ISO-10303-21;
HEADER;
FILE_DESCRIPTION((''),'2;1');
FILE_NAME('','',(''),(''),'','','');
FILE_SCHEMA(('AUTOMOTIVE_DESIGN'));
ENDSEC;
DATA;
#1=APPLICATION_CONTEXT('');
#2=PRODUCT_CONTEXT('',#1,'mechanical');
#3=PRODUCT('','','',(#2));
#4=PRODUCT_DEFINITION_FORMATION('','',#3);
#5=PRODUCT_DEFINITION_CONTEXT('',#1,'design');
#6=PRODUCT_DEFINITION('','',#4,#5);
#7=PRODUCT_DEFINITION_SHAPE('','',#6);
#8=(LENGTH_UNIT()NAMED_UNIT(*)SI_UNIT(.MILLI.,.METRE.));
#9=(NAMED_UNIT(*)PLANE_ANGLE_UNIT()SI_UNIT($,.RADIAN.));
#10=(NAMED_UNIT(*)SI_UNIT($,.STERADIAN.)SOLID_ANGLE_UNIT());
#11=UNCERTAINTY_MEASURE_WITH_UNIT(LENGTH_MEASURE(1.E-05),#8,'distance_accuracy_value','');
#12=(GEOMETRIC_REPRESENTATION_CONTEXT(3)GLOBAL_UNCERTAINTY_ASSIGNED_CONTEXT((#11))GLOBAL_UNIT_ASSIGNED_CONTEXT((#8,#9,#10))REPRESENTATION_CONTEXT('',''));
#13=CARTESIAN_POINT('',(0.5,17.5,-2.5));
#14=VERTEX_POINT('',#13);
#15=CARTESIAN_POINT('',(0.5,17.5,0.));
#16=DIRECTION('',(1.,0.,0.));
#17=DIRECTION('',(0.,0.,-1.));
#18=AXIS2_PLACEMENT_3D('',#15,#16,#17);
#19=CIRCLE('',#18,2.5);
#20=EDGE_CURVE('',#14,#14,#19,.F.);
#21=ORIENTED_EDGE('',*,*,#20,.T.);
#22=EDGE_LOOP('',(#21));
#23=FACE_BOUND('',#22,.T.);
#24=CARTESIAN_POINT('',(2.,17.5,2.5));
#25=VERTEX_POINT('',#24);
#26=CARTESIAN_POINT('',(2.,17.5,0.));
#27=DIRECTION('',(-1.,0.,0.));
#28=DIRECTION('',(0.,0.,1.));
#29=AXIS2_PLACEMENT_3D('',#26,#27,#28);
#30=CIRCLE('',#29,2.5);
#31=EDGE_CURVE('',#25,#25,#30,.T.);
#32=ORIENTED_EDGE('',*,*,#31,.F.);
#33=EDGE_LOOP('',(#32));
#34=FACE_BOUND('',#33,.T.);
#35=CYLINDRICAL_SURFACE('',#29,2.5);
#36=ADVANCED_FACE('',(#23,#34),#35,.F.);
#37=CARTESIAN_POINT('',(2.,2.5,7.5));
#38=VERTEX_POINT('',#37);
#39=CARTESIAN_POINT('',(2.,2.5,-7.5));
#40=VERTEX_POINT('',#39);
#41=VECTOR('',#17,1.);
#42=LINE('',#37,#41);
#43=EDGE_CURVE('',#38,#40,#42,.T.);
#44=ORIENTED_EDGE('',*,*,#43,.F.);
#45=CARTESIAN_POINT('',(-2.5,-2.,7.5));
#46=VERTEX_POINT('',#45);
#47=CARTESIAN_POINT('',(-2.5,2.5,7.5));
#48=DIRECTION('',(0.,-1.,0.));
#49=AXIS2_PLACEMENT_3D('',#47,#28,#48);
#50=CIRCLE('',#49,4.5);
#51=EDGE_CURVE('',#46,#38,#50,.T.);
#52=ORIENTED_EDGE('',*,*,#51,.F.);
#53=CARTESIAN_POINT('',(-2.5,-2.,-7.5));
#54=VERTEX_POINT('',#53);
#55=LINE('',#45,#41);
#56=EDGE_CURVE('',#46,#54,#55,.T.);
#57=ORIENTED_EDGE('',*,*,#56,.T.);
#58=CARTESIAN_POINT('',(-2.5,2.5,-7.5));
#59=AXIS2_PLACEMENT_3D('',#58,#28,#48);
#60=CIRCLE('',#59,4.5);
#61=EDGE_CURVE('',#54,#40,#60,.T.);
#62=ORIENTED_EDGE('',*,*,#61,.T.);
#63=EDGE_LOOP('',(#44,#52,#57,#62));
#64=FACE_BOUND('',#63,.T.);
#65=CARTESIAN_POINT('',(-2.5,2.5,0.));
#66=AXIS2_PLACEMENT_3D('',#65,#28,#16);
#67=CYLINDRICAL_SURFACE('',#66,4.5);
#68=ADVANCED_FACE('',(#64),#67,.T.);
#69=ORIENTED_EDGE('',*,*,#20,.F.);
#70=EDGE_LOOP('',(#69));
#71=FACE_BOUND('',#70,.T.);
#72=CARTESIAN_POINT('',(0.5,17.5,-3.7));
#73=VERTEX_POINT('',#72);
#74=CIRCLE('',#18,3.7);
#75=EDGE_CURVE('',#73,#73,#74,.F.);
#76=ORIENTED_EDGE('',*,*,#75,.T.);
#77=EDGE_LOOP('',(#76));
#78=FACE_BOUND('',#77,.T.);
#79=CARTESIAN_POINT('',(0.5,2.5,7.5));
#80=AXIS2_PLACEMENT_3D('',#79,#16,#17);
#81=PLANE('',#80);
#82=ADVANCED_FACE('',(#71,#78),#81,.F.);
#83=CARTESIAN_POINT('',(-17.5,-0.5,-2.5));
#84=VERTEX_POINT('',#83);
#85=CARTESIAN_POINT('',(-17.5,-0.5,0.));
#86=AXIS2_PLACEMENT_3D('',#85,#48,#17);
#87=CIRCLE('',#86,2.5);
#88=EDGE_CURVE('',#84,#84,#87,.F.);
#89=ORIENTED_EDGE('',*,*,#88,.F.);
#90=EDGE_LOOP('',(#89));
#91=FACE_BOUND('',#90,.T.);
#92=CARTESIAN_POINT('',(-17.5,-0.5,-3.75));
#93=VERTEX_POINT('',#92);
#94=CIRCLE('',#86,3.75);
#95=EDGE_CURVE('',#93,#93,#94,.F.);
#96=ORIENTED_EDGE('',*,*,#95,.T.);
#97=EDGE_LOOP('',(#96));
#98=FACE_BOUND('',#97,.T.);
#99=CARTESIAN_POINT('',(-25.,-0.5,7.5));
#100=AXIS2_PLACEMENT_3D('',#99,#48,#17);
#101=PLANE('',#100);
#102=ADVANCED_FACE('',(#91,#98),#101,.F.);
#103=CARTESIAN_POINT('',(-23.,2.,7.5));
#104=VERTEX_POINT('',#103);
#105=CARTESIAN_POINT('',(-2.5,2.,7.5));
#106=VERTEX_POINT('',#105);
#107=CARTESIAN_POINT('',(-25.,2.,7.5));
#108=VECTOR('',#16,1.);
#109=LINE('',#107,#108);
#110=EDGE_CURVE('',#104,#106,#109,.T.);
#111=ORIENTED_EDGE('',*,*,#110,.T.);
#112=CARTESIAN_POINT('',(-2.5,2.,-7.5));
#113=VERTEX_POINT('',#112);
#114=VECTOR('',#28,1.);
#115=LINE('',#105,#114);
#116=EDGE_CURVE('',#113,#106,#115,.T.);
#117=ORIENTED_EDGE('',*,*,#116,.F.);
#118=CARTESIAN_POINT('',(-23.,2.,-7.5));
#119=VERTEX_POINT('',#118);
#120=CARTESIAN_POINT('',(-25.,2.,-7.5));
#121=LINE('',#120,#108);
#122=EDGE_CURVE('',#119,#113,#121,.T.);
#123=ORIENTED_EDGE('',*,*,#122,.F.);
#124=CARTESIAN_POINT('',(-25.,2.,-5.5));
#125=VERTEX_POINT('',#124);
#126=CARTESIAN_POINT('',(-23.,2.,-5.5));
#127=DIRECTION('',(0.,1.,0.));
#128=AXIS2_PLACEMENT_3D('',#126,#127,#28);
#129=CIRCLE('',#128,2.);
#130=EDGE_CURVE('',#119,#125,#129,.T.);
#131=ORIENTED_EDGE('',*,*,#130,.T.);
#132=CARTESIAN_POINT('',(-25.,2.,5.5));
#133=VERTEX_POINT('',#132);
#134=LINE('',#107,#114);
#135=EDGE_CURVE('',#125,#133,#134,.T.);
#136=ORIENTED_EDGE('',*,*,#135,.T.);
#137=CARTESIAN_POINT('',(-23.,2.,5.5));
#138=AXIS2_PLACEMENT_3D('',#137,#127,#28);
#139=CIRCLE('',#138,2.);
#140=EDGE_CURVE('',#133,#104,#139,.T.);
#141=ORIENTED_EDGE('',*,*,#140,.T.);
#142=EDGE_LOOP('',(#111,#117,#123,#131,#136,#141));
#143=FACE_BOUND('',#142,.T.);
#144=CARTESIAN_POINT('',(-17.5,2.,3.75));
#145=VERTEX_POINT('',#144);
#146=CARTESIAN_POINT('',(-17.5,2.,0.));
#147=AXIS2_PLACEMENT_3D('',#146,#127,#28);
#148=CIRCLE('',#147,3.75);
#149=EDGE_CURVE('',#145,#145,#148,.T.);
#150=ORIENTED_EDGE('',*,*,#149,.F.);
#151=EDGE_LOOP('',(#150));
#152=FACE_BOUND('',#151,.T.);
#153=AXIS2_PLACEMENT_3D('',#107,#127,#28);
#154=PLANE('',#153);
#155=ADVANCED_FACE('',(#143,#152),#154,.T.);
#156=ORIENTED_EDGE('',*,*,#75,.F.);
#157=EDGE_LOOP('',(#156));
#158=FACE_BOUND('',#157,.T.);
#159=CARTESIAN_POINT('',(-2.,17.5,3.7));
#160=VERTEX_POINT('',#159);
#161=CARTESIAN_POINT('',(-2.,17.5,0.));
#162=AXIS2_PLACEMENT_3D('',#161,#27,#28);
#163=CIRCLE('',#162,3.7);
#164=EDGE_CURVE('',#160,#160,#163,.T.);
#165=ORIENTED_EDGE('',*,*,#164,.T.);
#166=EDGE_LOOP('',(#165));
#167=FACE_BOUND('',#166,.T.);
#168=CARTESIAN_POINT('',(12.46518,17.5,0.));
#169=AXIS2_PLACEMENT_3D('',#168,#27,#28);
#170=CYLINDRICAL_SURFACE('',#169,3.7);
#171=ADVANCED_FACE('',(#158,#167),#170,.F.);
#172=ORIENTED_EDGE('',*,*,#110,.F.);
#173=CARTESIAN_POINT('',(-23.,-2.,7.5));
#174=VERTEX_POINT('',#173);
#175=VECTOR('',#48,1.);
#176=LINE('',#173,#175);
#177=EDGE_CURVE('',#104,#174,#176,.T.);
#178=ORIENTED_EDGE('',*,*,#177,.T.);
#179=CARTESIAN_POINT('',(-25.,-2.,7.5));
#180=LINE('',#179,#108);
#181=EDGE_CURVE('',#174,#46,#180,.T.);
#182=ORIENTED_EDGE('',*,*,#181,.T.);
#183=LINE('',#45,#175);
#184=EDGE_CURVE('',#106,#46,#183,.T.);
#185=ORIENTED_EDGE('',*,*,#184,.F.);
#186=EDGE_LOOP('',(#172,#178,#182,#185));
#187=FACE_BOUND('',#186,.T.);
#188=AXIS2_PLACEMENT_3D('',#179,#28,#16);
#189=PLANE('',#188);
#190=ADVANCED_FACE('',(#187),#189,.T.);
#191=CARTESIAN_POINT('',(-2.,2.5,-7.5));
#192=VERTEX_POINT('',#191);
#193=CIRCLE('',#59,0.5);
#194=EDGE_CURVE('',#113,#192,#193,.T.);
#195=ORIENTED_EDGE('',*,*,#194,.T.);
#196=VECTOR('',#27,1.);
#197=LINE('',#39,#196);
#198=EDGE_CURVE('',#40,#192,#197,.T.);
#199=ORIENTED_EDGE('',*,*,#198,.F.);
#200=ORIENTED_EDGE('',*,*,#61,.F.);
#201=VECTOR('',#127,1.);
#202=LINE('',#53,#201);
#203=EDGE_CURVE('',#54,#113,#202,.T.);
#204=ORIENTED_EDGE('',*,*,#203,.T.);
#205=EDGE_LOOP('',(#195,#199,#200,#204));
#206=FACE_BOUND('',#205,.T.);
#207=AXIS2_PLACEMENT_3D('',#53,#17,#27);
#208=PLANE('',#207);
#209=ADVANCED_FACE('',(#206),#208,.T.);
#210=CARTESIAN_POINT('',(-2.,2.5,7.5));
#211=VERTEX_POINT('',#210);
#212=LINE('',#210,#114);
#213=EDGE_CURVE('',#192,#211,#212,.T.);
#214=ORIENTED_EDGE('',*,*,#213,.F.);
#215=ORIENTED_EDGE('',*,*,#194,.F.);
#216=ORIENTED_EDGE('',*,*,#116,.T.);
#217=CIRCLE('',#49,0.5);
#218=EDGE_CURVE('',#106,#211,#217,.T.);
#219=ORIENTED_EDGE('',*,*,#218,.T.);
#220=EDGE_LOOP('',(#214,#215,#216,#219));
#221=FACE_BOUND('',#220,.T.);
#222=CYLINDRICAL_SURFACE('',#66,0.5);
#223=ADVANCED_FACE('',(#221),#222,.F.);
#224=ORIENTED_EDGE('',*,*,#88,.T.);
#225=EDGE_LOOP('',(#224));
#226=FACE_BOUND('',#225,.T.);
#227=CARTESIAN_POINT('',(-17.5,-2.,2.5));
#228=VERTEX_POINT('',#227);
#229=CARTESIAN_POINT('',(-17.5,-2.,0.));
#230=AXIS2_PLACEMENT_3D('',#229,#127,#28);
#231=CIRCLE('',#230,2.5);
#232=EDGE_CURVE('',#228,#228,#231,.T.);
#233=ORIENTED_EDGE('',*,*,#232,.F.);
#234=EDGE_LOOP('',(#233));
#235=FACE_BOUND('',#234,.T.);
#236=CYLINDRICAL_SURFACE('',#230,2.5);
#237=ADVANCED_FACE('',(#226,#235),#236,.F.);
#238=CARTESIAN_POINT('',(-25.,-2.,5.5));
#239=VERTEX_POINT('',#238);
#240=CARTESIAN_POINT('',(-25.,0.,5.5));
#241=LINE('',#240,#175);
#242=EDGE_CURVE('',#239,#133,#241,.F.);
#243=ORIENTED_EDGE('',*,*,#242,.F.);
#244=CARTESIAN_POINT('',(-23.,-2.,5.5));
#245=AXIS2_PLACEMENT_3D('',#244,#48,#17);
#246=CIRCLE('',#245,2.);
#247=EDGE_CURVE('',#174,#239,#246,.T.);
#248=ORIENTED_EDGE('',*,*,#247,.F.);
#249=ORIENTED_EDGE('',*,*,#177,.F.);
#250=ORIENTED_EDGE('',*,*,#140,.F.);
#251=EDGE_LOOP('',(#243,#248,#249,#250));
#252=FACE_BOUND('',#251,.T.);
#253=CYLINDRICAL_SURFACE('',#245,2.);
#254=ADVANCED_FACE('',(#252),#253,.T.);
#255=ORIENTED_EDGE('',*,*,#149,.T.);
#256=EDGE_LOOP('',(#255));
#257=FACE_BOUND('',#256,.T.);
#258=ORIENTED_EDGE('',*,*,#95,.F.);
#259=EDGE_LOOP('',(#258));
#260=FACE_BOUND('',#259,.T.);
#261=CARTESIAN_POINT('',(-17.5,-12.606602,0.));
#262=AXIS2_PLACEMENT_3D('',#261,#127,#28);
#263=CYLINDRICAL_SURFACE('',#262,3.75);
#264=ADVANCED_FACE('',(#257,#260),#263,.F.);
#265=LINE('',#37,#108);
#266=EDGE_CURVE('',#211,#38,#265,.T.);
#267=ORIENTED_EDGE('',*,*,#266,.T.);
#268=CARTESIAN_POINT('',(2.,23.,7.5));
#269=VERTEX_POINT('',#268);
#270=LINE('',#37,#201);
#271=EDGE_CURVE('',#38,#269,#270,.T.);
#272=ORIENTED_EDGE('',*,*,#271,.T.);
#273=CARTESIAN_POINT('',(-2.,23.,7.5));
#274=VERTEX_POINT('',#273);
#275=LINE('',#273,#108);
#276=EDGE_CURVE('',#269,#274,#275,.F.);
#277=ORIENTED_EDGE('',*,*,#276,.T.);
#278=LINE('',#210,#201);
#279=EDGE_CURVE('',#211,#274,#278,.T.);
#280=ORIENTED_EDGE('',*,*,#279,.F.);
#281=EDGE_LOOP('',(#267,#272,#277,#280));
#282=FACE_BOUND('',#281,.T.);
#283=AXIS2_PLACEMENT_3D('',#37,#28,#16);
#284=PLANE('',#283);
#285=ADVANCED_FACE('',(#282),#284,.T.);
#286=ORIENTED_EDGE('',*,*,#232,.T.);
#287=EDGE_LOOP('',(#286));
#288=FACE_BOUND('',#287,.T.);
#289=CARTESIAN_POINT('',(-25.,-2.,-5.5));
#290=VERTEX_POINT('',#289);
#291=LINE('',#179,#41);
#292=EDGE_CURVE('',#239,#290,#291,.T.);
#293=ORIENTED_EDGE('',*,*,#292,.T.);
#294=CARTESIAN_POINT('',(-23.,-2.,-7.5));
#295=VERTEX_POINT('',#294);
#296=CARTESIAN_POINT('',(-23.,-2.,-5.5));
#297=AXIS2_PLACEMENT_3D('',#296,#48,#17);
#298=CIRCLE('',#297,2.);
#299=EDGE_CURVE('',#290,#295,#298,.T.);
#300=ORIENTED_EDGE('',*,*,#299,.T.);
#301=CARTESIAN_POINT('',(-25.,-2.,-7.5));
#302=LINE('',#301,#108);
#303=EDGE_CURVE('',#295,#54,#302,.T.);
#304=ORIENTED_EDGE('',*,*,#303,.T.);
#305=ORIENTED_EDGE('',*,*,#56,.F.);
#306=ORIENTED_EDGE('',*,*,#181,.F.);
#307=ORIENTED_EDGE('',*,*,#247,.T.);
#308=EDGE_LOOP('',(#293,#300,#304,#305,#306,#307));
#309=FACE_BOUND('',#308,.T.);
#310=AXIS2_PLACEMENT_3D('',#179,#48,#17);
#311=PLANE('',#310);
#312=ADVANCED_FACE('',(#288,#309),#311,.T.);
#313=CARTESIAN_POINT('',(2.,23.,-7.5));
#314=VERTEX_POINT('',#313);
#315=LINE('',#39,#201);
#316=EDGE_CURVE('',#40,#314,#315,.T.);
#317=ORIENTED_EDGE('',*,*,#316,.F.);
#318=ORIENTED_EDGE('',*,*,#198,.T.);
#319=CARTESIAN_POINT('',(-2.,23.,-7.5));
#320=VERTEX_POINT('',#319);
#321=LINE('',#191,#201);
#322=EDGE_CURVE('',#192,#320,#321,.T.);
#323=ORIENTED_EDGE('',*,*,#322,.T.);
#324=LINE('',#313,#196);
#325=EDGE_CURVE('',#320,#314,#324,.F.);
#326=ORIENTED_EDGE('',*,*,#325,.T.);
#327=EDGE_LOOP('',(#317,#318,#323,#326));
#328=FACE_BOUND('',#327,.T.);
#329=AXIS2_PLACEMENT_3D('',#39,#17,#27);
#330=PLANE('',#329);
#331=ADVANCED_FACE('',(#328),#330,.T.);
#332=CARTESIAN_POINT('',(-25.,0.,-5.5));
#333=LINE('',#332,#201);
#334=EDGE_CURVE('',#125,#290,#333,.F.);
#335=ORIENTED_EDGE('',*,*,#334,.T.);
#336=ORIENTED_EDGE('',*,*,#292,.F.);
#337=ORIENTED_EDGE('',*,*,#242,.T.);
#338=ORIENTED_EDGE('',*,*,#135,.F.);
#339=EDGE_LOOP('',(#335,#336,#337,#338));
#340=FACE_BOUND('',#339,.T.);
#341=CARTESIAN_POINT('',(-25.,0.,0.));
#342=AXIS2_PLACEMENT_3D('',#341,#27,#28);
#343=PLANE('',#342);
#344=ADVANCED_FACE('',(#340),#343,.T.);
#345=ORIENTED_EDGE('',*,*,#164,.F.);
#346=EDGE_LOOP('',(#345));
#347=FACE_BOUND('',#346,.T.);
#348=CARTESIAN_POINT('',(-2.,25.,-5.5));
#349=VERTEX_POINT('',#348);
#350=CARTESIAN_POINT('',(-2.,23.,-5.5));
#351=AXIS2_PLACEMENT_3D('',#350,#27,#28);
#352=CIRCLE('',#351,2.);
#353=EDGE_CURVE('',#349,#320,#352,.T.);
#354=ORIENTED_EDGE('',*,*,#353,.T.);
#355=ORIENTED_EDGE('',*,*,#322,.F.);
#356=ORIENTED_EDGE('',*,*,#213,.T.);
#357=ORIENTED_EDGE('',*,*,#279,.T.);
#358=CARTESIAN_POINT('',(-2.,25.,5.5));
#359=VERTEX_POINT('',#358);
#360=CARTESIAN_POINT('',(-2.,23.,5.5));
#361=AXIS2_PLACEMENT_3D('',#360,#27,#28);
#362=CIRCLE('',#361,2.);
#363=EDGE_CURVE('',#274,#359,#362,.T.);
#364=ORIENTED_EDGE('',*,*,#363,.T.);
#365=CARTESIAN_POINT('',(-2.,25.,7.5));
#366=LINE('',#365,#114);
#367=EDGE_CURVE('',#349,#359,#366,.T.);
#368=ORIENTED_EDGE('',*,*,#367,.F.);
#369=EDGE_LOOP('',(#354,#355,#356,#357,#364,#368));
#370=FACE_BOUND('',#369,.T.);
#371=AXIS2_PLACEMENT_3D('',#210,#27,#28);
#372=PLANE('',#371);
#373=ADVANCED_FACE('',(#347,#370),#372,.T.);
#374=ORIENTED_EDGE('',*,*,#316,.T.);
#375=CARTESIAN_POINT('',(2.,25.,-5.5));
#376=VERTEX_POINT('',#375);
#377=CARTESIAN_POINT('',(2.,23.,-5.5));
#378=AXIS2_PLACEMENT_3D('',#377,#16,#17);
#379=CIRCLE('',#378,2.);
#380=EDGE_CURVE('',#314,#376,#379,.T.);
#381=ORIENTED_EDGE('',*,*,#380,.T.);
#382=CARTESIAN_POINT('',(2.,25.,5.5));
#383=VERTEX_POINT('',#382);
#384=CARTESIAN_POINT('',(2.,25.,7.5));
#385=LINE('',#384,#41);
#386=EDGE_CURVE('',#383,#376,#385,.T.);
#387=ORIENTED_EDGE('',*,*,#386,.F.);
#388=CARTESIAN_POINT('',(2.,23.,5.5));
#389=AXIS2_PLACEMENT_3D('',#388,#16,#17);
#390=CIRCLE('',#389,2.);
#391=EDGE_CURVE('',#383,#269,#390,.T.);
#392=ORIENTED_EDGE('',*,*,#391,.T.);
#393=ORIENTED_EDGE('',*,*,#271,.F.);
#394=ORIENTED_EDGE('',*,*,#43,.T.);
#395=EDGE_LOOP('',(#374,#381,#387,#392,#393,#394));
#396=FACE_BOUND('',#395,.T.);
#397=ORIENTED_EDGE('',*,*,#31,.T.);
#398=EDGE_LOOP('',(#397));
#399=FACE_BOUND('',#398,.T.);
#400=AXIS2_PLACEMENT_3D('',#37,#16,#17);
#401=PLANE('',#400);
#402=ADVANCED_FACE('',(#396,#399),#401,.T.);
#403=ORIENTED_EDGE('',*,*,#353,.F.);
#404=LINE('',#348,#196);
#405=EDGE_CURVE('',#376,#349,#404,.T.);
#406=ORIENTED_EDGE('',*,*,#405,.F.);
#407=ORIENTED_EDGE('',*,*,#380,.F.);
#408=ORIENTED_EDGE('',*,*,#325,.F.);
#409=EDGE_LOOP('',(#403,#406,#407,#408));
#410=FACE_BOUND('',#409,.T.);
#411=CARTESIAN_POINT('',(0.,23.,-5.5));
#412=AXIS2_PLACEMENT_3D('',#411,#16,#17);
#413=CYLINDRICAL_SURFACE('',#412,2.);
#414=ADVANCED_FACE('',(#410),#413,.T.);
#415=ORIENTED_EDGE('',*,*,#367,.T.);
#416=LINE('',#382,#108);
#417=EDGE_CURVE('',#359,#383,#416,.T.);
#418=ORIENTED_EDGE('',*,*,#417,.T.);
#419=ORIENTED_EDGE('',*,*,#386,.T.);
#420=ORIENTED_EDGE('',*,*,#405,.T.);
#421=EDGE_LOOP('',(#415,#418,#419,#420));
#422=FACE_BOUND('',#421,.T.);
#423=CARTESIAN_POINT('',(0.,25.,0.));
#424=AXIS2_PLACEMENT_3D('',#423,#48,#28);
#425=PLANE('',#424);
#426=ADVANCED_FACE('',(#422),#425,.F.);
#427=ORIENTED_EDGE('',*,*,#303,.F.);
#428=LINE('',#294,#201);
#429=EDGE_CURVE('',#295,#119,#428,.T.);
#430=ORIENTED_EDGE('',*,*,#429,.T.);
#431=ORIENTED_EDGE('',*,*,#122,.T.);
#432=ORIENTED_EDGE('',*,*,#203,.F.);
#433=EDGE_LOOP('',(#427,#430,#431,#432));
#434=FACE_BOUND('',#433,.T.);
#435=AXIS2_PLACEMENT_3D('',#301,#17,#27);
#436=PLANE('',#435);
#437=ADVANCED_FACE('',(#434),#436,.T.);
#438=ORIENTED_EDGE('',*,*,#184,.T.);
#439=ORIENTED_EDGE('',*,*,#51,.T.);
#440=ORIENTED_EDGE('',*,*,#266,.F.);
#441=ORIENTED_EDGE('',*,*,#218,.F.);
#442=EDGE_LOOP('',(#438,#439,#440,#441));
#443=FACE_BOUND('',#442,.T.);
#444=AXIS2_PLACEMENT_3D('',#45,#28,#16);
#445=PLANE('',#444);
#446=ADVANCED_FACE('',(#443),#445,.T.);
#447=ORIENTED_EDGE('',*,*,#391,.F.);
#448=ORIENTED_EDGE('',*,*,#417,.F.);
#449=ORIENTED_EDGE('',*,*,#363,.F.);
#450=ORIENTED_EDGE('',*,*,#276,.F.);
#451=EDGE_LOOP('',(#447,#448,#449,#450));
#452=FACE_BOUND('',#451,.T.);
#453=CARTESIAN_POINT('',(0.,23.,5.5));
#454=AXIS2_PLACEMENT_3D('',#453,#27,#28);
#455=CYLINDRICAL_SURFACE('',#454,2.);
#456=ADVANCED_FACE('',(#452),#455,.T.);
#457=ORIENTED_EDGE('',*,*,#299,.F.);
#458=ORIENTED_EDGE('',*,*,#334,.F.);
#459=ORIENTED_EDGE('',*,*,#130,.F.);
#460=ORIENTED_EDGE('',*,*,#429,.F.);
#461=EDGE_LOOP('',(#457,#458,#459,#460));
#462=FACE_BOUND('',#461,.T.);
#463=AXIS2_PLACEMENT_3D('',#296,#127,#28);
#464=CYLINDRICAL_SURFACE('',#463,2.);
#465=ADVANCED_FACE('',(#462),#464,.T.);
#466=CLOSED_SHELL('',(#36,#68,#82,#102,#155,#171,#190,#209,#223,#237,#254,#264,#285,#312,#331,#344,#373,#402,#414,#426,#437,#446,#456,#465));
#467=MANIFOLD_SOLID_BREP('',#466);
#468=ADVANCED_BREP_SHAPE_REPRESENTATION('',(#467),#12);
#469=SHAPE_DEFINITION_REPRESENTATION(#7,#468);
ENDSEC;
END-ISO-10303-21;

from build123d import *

# Parameters (mm, degrees)
SKETCH5_W          = 15
SKETCH5_H          = 4
SKETCH7_R          = 2.5
CUT_EXTRUDE2_DEPTH = 5
FILLET1_R          = 2
SKETCH9_R          = 3.7
CUT_EXTRUDE3_DEPTH = 2.5
SKETCH6_R          = 2.5
CUT_EXTRUDE4_DEPTH = 5
SKETCH10_R         = 3.75
CUT_EXTRUDE5_DEPTH = 2.5


with BuildPart() as part:
    # Sweep1: sweep along a path in Sketch2
    with BuildLine(Plane.XY) as sweep1_path:
        Line((-25, 0), (-2.5, 0))
        ThreePointArc((-2.5, 0), (-0.732233047, 0.732233047), (0, 2.5))
        Line((0, 2.5), (0, 25))
    # Sketch5 → Sweep1 (sweep)
    with BuildSketch(Plane(origin=(-25, 0, 0), x_dir=(0, 0, -1), z_dir=(1, 0, 0))):
        Rectangle(SKETCH5_W, SKETCH5_H)
    sweep(path=sweep1_path.line)

    # Sketch7 → Cut-Extrude2 (cut, through all)
    with BuildSketch(Plane.ZY.offset(2)):
        with Locations((0, 17.5)):
            Circle(SKETCH7_R)
    extrude(amount=-CUT_EXTRUDE2_DEPTH, mode=Mode.SUBTRACT)

    # Fillet1
    fillet1_edges = [part.edges().sort_by_distance(p)[0] for p in [
        (-25, 0, 7.5),
        (0, 25, -7.5),
        (0, 25, 7.5),
        (-25, 0, -7.5),
    ]]
    fillet(fillet1_edges, radius=FILLET1_R)

    # Sketch9 → Cut-Extrude3 (cut)
    with BuildSketch(Plane.ZY.offset(2)):
        with Locations((0, 17.5)):
            Circle(SKETCH9_R)
    extrude(amount=-CUT_EXTRUDE3_DEPTH, mode=Mode.SUBTRACT)

    # Sketch6 → Cut-Extrude4 (cut, through all)
    with BuildSketch(Plane(origin=(0, 2, 0), x_dir=(1, 0, 0), z_dir=(0, 1, 0))):
        with Locations((-17.5, 0)):
            Circle(SKETCH6_R)
    extrude(amount=-CUT_EXTRUDE4_DEPTH, mode=Mode.SUBTRACT)

    # Sketch10 → Cut-Extrude5 (cut)
    with BuildSketch(Plane(origin=(0, 2, 0), x_dir=(1, 0, 0), z_dir=(0, 1, 0))):
        with Locations((-17.5, 0)):
            Circle(SKETCH10_R)
    extrude(amount=-CUT_EXTRUDE5_DEPTH, mode=Mode.SUBTRACT)


solid = part.part
